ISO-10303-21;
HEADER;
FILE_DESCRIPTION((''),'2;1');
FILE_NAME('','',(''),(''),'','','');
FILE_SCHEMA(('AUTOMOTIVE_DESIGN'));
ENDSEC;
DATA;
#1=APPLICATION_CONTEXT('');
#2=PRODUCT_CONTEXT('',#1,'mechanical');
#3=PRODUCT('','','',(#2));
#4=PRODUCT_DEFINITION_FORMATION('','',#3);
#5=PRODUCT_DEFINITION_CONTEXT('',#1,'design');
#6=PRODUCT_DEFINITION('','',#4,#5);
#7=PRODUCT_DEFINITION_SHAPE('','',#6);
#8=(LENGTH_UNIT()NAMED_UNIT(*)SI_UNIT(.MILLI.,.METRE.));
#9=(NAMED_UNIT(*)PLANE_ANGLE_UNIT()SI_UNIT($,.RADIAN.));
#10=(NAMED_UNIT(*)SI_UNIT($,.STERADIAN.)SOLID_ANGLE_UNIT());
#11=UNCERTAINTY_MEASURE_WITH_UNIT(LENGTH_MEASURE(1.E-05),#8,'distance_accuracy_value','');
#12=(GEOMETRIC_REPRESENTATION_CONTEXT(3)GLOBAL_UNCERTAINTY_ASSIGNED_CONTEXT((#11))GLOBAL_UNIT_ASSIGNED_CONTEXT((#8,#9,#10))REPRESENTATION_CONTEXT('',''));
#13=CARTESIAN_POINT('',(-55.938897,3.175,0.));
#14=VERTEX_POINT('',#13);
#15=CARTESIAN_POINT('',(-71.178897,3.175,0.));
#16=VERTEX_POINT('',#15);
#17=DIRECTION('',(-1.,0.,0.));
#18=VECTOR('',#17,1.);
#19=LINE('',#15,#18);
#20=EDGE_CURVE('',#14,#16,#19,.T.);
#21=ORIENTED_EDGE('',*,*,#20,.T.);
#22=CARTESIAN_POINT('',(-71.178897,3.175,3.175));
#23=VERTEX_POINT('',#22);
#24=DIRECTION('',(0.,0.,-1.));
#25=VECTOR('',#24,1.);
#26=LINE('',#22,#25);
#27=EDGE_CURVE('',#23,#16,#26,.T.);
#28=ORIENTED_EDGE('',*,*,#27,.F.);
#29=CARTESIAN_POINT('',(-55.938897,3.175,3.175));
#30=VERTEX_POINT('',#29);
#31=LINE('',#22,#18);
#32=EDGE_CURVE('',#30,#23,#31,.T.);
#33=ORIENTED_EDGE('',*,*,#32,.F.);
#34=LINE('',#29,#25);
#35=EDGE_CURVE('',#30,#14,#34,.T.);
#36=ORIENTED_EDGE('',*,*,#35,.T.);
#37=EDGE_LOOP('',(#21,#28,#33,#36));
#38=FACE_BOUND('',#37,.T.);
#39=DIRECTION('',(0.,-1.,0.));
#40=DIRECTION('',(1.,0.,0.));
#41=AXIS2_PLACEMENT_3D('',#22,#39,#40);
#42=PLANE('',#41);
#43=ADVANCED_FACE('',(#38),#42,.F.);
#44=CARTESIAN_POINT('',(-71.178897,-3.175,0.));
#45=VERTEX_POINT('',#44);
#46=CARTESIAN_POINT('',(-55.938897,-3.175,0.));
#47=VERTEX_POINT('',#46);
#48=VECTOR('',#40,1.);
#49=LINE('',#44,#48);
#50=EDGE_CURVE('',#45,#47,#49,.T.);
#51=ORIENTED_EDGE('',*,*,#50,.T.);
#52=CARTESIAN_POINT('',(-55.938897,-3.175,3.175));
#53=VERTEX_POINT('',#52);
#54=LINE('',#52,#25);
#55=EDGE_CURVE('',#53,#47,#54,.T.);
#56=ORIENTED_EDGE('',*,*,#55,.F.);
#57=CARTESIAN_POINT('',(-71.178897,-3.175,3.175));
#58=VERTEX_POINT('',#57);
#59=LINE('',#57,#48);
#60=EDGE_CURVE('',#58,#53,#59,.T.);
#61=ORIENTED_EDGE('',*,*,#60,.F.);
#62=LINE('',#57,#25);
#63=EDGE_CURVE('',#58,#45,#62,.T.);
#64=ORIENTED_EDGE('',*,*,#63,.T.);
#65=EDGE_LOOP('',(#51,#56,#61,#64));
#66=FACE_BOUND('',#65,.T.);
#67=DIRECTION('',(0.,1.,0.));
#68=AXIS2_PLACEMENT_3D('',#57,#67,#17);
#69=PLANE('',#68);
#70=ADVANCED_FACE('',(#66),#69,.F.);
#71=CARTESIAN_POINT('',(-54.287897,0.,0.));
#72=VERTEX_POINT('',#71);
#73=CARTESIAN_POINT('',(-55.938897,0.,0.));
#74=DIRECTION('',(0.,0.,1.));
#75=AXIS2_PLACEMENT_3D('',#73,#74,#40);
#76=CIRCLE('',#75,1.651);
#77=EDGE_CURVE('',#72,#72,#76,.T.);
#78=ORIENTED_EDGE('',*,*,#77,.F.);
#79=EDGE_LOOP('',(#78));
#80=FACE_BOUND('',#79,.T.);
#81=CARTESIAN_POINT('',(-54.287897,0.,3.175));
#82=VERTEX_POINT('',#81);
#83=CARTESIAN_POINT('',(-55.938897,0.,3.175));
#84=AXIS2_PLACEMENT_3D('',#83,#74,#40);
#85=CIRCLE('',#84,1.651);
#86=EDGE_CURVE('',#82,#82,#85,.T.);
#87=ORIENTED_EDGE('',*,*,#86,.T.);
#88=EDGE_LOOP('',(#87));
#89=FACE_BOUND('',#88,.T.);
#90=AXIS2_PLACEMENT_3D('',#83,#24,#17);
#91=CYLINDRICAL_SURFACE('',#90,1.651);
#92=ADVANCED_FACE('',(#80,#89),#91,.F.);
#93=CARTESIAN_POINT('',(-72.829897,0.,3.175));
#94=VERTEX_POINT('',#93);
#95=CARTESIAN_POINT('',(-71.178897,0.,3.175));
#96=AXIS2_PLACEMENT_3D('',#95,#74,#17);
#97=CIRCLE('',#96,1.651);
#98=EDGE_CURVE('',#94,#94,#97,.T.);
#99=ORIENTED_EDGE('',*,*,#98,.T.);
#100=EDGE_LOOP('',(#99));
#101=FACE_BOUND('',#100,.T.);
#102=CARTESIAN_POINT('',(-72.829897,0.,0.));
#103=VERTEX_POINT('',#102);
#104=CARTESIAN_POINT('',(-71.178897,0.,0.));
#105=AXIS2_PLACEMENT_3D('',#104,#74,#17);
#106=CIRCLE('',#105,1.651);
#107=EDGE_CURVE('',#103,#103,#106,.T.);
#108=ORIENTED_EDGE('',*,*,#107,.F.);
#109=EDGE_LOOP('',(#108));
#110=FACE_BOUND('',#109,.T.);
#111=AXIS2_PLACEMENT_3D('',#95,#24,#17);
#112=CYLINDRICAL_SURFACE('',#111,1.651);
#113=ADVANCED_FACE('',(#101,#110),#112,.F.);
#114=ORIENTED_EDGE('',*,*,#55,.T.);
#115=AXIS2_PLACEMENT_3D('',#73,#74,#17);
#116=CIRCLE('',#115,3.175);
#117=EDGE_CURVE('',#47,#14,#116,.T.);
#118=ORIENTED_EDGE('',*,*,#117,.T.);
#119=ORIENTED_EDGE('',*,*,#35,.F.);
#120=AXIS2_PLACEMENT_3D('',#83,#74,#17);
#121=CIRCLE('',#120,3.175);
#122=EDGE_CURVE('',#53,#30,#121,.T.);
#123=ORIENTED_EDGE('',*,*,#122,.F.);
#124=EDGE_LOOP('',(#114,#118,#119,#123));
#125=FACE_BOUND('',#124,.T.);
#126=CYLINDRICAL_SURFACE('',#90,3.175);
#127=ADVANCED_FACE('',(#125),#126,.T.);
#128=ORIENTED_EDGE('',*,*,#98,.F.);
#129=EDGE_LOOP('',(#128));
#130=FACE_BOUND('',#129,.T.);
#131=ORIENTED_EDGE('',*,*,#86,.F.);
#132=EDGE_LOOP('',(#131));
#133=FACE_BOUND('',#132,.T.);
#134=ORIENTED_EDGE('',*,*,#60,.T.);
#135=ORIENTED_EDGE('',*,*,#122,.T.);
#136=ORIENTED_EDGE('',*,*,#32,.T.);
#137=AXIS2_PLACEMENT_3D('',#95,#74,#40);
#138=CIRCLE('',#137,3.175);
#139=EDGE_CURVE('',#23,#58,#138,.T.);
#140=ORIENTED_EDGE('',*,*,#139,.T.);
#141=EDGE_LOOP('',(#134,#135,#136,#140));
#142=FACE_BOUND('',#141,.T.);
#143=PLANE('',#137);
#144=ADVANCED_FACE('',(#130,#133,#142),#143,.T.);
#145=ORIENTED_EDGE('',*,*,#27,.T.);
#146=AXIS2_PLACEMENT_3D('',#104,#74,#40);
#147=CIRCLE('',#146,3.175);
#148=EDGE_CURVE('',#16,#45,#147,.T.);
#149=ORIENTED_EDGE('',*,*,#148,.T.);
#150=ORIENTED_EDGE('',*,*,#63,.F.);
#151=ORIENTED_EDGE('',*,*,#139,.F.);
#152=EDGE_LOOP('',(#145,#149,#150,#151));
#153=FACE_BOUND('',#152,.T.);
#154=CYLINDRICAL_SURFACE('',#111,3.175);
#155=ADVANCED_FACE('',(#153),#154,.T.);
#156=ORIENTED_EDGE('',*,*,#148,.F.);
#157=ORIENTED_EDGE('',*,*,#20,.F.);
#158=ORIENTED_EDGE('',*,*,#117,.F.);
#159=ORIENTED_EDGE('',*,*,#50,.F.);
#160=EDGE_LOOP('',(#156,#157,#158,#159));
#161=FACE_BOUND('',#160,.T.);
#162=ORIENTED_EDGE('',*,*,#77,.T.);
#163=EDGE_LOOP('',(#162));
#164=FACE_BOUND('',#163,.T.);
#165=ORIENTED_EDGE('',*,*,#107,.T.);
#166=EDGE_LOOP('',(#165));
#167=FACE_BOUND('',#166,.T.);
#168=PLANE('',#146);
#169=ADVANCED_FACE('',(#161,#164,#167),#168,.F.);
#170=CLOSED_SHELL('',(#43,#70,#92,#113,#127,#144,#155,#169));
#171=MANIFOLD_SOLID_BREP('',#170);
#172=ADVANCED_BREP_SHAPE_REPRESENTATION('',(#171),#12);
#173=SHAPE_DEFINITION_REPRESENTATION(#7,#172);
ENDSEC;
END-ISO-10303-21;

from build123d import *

# Parameters (mm, degrees)
SKETCH1_R           = 1.651
BOSS_EXTRUDE1_DEPTH = 3.175


with BuildPart() as part:
    # Sketch1 → Boss-Extrude1 (new body)
    with BuildSketch(Plane.XY):
        with BuildLine():
            Line((-71.178896696, 3.175), (-55.938896696, 3.175))
            ThreePointArc((-55.938896696, 3.175), (-52.763896696, 0), (-55.938896696, -3.175))
            Line((-55.938896696, -3.175), (-71.178896696, -3.175))
            ThreePointArc((-71.178896696, -3.175), (-74.353896696, 0), (-71.178896696, 3.175))
        make_face()
        with Locations((-55.938896696, 0)):
            Circle(SKETCH1_R, mode=Mode.SUBTRACT)
        with Locations(Location((-71.178896696, 0, 0), (0, 0, 180))):
            Circle(SKETCH1_R, mode=Mode.SUBTRACT)
    extrude(amount=BOSS_EXTRUDE1_DEPTH)


solid = part.part
